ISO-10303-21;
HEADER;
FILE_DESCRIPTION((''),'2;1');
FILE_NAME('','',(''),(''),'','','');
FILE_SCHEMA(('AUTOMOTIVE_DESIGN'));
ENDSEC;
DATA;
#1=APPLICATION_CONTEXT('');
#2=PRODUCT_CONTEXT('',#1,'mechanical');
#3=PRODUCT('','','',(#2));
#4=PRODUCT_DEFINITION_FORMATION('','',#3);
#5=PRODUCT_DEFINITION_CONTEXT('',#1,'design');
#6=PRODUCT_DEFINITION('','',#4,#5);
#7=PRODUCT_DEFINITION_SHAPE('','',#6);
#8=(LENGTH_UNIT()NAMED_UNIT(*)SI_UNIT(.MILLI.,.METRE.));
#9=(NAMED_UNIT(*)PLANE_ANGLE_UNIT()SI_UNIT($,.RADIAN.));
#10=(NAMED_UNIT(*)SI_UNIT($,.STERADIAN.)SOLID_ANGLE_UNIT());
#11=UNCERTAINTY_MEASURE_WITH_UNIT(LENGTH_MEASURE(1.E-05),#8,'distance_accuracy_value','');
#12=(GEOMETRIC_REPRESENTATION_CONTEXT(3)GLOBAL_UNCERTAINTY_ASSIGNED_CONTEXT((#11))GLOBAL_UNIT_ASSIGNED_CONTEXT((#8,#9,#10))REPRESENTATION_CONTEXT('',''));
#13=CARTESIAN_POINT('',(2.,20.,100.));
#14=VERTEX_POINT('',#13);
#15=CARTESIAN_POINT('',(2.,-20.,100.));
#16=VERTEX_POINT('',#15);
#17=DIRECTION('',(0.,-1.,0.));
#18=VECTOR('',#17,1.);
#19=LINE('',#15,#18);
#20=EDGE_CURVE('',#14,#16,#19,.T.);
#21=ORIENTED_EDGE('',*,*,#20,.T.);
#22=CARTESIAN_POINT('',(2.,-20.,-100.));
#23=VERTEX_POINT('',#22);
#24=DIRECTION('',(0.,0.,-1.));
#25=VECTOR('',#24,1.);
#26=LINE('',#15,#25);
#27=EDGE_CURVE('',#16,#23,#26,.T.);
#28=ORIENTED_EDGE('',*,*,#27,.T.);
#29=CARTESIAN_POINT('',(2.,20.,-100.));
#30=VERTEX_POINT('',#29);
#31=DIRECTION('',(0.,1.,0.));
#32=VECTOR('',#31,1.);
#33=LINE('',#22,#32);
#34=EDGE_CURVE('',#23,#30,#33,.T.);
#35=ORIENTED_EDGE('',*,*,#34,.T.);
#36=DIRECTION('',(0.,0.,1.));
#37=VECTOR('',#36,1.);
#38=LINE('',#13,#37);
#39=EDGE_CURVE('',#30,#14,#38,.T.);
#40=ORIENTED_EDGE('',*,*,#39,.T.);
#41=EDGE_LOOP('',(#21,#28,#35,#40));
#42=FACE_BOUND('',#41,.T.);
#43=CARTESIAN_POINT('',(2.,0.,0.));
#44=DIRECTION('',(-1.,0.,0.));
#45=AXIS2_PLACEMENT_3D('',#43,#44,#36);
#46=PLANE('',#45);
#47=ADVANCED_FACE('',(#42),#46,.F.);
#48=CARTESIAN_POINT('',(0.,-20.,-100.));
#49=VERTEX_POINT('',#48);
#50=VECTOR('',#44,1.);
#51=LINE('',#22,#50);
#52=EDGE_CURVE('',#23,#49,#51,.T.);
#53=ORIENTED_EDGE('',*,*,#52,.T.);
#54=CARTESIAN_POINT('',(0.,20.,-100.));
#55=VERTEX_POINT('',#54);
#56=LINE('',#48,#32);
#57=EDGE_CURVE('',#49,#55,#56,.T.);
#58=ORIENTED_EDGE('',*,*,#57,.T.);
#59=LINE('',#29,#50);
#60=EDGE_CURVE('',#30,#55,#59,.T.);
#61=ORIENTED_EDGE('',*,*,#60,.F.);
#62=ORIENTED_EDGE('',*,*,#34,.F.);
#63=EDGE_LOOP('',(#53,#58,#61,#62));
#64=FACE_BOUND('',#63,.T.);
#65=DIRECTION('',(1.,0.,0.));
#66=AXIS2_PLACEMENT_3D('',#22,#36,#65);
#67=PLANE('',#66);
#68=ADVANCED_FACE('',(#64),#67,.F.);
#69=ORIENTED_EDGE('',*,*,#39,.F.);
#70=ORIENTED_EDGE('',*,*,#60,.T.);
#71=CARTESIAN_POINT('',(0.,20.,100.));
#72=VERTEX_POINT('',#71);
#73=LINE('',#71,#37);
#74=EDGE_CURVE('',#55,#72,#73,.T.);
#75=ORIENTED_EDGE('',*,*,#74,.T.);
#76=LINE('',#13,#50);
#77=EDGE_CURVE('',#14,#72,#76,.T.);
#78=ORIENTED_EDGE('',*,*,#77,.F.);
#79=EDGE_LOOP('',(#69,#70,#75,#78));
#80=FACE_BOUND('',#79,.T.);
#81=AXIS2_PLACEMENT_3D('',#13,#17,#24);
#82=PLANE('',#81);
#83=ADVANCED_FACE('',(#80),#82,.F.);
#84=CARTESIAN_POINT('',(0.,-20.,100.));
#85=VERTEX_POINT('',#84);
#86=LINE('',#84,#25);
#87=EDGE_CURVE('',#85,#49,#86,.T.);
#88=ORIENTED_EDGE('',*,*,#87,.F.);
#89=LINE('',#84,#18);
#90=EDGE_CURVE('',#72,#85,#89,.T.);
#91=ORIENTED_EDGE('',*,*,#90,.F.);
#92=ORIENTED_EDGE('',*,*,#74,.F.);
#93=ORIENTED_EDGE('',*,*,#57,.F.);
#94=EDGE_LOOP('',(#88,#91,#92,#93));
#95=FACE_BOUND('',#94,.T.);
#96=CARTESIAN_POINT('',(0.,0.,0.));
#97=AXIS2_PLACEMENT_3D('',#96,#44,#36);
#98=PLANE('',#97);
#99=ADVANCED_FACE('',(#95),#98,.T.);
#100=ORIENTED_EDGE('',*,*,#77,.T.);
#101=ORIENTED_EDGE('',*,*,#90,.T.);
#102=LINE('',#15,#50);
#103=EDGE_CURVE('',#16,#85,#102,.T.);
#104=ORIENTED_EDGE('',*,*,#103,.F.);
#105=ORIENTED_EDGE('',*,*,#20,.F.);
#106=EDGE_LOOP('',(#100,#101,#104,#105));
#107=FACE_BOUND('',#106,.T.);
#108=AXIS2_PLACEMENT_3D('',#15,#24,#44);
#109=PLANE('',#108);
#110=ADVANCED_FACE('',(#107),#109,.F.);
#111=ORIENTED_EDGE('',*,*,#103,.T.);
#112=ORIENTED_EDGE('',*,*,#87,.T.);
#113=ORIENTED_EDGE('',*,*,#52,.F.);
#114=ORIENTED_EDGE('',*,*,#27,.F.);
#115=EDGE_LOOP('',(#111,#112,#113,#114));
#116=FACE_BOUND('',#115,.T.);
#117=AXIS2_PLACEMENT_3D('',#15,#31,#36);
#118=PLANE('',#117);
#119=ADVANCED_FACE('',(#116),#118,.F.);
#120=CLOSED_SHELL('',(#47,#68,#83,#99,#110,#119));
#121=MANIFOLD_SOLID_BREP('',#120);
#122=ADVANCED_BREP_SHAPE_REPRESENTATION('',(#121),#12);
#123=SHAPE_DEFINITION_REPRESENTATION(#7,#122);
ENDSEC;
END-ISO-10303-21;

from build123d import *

# Parameters (mm, degrees)
ESQUISSE1_W        = 200
ESQUISSE1_H        = 40
BOSS_EXTRU_1_DEPTH = 2


with BuildPart() as part:
    # Esquisse1 → Boss.-Extru.1 (new body)
    with BuildSketch(Plane(origin=(0, 0, 0), x_dir=(0, 0, -1), z_dir=(1, 0, 0))):
        Rectangle(ESQUISSE1_W, ESQUISSE1_H)
    extrude(amount=BOSS_EXTRU_1_DEPTH)


solid = part.part
